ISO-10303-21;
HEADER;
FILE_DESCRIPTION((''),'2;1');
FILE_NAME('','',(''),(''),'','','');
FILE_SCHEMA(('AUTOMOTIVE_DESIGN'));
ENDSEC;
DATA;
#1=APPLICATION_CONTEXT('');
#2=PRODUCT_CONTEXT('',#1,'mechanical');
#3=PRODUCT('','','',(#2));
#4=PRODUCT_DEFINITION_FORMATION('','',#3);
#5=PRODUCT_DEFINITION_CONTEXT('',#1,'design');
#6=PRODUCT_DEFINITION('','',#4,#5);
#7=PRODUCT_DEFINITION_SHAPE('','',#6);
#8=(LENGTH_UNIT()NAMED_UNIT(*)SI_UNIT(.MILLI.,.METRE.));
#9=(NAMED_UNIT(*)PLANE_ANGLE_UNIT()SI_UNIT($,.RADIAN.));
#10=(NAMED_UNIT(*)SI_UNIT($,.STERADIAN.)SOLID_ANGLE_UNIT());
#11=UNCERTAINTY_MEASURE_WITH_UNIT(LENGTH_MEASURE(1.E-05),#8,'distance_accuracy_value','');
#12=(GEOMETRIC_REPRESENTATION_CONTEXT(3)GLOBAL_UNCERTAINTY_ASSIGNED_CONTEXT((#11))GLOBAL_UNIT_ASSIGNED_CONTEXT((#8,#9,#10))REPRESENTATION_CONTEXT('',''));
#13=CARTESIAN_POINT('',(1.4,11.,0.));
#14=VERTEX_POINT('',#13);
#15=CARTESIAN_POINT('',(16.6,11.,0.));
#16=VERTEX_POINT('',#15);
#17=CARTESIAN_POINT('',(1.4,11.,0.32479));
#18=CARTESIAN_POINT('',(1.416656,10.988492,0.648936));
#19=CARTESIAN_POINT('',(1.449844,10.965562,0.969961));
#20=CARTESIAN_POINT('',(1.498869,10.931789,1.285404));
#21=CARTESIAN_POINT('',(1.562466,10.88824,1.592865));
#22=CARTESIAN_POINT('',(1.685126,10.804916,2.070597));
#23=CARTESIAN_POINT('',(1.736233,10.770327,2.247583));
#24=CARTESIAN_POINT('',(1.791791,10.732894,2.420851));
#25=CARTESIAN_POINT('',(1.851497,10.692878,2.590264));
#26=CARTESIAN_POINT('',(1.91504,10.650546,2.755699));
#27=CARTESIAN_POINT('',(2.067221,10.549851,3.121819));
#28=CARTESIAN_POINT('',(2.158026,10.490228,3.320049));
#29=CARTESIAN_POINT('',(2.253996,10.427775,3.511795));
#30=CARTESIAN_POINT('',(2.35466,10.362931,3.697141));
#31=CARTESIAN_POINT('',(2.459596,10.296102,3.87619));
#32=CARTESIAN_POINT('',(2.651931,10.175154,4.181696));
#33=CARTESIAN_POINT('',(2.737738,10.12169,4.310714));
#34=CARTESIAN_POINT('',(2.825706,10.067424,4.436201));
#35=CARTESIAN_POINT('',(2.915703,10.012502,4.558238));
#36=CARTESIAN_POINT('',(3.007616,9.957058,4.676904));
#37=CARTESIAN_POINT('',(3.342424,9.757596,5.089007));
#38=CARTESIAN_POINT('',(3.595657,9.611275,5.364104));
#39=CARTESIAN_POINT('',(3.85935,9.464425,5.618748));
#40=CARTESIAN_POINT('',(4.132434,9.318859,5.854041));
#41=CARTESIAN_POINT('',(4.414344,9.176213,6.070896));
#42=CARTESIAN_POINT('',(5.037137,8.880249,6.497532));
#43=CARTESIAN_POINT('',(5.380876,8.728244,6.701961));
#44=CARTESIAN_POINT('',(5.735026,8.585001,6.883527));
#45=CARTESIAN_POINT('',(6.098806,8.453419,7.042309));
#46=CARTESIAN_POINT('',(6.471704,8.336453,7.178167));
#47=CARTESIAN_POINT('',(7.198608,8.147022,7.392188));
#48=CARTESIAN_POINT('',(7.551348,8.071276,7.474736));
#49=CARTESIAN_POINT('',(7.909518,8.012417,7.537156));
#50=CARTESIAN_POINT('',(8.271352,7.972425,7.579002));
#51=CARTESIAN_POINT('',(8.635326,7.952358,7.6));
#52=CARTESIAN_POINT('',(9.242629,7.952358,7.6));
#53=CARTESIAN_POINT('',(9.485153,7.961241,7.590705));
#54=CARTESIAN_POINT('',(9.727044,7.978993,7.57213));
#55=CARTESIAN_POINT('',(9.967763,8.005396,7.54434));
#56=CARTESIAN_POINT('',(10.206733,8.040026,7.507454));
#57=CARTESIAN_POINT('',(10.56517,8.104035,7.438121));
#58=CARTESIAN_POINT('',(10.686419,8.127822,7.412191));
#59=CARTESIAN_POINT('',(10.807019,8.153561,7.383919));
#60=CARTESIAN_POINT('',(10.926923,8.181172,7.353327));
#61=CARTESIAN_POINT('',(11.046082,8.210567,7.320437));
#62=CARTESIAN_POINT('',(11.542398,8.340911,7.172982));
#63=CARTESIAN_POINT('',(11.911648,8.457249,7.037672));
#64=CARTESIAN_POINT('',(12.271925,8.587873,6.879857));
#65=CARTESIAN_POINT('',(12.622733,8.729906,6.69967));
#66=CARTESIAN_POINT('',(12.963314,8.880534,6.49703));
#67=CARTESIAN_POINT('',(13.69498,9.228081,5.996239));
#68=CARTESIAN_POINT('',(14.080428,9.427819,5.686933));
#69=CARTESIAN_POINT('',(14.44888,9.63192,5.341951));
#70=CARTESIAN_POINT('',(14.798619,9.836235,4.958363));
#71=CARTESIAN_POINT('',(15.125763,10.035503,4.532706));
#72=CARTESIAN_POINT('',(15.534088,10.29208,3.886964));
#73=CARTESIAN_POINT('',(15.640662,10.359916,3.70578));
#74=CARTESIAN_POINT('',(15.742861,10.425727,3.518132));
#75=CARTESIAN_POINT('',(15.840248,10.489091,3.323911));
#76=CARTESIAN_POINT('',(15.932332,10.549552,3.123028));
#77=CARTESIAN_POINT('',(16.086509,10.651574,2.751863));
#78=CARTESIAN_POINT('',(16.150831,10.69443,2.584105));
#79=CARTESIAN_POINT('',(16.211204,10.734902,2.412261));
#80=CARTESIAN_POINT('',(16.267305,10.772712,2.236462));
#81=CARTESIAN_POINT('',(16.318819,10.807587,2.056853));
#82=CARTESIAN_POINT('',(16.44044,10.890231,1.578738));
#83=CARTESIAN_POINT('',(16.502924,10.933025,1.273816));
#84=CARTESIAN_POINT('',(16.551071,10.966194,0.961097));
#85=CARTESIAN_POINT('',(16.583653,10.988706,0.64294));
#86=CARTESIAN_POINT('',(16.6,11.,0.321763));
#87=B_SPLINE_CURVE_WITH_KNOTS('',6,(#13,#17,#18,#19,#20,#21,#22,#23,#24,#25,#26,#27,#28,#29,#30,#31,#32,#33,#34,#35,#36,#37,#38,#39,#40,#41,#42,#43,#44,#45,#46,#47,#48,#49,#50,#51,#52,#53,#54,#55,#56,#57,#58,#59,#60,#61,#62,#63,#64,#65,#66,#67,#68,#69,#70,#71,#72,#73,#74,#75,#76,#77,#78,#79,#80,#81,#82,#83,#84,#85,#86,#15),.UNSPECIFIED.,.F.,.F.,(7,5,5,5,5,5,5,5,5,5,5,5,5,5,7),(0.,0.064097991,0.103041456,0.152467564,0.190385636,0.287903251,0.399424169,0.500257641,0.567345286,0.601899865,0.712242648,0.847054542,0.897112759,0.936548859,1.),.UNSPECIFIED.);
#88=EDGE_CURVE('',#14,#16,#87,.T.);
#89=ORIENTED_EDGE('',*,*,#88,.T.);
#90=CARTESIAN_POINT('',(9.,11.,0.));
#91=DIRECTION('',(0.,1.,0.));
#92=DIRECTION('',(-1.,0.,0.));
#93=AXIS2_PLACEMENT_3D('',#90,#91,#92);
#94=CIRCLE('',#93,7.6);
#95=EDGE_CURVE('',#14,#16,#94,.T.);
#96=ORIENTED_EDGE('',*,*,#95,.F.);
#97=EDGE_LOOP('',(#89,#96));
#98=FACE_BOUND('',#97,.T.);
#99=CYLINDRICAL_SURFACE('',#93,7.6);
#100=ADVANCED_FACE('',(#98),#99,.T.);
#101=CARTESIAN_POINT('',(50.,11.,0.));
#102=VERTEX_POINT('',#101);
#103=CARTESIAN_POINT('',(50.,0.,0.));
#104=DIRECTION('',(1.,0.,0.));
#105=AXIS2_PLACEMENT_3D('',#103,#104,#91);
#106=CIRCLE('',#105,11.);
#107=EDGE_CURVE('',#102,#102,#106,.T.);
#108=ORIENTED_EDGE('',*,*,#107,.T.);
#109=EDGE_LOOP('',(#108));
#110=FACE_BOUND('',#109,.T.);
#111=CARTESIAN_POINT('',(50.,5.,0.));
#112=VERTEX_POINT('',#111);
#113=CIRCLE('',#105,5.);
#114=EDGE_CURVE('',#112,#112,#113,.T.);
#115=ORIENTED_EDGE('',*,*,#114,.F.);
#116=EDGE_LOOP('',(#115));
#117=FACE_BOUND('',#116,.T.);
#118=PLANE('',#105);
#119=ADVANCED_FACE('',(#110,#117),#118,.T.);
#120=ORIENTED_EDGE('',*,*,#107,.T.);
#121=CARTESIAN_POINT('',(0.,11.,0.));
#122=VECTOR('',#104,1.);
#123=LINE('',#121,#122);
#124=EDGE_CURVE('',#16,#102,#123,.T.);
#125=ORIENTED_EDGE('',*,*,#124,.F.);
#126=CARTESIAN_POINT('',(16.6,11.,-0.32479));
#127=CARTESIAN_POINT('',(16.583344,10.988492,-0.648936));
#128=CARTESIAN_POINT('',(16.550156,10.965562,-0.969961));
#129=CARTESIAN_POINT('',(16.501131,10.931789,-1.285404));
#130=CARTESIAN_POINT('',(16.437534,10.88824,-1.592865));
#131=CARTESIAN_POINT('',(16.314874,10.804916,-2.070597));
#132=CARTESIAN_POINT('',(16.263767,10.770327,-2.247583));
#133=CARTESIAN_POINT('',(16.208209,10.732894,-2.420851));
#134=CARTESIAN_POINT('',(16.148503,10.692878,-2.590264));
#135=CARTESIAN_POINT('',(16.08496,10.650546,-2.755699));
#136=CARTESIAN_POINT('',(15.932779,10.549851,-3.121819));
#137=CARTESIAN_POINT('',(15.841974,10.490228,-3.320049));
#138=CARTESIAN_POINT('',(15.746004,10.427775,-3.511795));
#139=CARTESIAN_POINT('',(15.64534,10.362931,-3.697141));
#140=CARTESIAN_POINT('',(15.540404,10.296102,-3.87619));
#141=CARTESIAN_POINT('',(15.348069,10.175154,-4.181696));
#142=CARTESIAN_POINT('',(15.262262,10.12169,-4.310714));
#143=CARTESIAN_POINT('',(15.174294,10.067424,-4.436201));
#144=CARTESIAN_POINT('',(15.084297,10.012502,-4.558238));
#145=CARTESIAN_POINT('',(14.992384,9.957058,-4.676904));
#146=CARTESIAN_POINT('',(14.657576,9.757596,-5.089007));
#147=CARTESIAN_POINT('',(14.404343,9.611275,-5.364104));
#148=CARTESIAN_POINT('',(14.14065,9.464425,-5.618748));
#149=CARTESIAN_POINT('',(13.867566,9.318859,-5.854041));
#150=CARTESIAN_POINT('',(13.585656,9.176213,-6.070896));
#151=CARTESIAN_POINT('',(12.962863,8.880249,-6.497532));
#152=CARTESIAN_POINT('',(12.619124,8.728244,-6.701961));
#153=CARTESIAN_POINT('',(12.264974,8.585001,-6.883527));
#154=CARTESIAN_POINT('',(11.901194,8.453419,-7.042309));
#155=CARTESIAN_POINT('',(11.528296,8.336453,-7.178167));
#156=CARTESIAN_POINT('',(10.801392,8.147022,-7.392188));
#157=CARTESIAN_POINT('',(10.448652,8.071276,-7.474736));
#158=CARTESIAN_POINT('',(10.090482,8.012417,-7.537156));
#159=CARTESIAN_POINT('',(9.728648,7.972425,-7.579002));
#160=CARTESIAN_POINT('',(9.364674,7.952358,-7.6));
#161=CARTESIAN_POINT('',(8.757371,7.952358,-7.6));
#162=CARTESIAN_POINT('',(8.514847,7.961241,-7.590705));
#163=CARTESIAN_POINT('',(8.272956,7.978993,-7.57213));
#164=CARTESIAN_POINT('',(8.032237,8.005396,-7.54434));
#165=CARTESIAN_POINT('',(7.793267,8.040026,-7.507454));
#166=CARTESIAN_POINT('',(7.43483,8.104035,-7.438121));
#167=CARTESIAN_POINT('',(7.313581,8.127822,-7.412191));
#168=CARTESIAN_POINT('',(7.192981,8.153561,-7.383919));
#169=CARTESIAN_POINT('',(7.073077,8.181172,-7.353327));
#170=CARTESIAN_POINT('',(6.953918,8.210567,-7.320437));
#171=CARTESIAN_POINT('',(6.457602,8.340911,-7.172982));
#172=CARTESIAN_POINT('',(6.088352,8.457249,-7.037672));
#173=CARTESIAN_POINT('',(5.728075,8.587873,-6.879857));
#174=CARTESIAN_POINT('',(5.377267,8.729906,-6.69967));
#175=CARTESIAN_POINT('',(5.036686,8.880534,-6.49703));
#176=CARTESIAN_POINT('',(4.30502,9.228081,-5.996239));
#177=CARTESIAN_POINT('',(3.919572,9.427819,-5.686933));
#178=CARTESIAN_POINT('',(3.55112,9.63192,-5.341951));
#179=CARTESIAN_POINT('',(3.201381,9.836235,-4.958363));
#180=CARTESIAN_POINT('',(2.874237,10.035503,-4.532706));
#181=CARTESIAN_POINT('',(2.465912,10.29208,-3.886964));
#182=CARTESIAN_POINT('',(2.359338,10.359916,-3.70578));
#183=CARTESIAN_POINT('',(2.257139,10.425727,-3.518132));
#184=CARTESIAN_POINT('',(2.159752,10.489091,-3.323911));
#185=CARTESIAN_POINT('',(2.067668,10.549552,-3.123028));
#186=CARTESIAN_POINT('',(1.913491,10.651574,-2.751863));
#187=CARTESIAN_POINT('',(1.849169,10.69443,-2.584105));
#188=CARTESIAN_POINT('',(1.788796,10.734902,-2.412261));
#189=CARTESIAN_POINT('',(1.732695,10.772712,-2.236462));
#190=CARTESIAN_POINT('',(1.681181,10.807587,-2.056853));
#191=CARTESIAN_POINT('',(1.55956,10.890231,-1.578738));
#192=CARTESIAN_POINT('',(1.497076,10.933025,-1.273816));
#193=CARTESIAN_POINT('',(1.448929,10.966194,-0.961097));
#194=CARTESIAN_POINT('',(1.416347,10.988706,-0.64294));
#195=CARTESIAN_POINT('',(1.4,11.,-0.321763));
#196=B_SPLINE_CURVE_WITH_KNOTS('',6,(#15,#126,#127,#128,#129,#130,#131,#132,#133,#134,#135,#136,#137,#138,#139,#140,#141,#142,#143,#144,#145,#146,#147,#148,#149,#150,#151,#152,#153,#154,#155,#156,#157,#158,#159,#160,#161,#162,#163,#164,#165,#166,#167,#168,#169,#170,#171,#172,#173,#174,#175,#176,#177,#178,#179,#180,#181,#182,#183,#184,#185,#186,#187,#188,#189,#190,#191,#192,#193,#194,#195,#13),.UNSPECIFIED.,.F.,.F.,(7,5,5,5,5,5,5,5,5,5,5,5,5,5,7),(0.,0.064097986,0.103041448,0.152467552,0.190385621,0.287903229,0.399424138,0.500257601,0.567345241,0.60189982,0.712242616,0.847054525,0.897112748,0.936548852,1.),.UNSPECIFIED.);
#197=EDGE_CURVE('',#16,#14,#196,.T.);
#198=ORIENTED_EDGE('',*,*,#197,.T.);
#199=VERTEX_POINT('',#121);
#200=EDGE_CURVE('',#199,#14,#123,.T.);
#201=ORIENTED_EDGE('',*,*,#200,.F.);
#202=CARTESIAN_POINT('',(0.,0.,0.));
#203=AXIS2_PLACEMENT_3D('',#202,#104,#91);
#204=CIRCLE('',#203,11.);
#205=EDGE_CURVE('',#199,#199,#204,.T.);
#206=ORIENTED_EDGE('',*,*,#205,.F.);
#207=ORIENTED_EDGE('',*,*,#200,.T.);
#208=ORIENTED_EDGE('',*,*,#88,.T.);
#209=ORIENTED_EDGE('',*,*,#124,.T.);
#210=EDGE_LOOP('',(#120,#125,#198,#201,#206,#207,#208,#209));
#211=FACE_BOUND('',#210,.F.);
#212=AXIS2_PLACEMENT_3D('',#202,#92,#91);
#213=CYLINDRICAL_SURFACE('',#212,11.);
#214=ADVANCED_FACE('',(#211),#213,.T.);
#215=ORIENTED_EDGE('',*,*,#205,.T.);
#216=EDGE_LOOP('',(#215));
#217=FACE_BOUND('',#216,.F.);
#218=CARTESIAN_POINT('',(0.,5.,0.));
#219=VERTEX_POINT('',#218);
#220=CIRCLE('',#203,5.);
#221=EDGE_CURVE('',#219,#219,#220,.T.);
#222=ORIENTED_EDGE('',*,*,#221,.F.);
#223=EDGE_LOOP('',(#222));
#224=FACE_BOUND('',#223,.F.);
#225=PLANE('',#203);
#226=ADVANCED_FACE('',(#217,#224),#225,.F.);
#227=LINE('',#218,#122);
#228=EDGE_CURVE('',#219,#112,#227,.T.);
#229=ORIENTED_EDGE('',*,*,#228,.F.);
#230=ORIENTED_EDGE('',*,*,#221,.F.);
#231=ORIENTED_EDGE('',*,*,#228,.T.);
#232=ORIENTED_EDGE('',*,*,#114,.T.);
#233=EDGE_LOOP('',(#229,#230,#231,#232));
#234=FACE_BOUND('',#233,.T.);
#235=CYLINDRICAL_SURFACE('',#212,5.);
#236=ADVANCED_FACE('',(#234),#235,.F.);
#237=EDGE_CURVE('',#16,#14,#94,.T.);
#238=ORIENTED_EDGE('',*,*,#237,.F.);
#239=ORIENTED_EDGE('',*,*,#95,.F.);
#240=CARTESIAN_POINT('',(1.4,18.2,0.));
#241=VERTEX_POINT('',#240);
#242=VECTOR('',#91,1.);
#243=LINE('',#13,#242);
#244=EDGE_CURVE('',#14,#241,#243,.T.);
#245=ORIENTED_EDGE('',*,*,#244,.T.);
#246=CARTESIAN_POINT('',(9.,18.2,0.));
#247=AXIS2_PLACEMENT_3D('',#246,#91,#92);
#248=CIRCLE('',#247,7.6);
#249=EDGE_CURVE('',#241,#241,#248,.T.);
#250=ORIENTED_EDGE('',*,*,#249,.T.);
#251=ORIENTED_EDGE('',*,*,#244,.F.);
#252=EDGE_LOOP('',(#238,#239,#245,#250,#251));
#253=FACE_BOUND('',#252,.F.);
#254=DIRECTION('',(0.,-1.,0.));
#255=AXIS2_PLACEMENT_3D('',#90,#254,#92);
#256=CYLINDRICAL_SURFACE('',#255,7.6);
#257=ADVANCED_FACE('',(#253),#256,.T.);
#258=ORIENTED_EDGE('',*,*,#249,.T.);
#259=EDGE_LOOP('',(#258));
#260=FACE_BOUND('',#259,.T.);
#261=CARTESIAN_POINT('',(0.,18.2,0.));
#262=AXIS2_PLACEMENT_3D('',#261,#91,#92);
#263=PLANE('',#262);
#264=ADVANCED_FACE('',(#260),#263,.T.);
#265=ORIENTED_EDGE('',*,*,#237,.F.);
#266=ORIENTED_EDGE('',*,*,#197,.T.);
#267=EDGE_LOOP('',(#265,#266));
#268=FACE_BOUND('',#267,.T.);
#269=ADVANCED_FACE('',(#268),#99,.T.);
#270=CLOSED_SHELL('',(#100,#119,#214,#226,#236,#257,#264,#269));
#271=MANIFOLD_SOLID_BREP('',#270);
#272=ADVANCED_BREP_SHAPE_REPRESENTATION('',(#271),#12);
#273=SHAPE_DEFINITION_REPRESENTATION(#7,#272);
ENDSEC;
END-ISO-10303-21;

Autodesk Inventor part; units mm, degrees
ref_plane "YZ Plane" through (0, 0, 0) normal (1, 0, 0) x (0, 1, 0)
ref_plane "XY Plane" through (0, 0, 0) normal (0, 0, 1) x (1, 0, 0)
sketch "Sketch1" plane through (0, 0, 0) normal (1, 0, 0) x (0, 1, 0)
  circle A0 centre (0, 0) radius 11
  circle A1 centre (0, 0) radius 5
  dimension "d0" = 22
  dimension "d1" = 10
extrude "Extrusion1" add sketch "Sketch1" along normal blind 50
ref_plane "Work Plane1" through (0, 11, 0) normal (0, 1, 0) x (-1, 0, 0)
sketch "Sketch2" plane through (0, 11, 0) normal (0, 1, 0) x (-1, 0, 0)
  circle A0 centre (-9, 0) radius 7.6
  point P0 (0, 0)
  dimension "d5" = 15.2
  dimension "d6" = 9
extrude "Extrusion2" add sketch "Sketch2" along normal blind 7.2 and the other way blind 5
properties part number "sample-transfer_shuttle-mockup"
